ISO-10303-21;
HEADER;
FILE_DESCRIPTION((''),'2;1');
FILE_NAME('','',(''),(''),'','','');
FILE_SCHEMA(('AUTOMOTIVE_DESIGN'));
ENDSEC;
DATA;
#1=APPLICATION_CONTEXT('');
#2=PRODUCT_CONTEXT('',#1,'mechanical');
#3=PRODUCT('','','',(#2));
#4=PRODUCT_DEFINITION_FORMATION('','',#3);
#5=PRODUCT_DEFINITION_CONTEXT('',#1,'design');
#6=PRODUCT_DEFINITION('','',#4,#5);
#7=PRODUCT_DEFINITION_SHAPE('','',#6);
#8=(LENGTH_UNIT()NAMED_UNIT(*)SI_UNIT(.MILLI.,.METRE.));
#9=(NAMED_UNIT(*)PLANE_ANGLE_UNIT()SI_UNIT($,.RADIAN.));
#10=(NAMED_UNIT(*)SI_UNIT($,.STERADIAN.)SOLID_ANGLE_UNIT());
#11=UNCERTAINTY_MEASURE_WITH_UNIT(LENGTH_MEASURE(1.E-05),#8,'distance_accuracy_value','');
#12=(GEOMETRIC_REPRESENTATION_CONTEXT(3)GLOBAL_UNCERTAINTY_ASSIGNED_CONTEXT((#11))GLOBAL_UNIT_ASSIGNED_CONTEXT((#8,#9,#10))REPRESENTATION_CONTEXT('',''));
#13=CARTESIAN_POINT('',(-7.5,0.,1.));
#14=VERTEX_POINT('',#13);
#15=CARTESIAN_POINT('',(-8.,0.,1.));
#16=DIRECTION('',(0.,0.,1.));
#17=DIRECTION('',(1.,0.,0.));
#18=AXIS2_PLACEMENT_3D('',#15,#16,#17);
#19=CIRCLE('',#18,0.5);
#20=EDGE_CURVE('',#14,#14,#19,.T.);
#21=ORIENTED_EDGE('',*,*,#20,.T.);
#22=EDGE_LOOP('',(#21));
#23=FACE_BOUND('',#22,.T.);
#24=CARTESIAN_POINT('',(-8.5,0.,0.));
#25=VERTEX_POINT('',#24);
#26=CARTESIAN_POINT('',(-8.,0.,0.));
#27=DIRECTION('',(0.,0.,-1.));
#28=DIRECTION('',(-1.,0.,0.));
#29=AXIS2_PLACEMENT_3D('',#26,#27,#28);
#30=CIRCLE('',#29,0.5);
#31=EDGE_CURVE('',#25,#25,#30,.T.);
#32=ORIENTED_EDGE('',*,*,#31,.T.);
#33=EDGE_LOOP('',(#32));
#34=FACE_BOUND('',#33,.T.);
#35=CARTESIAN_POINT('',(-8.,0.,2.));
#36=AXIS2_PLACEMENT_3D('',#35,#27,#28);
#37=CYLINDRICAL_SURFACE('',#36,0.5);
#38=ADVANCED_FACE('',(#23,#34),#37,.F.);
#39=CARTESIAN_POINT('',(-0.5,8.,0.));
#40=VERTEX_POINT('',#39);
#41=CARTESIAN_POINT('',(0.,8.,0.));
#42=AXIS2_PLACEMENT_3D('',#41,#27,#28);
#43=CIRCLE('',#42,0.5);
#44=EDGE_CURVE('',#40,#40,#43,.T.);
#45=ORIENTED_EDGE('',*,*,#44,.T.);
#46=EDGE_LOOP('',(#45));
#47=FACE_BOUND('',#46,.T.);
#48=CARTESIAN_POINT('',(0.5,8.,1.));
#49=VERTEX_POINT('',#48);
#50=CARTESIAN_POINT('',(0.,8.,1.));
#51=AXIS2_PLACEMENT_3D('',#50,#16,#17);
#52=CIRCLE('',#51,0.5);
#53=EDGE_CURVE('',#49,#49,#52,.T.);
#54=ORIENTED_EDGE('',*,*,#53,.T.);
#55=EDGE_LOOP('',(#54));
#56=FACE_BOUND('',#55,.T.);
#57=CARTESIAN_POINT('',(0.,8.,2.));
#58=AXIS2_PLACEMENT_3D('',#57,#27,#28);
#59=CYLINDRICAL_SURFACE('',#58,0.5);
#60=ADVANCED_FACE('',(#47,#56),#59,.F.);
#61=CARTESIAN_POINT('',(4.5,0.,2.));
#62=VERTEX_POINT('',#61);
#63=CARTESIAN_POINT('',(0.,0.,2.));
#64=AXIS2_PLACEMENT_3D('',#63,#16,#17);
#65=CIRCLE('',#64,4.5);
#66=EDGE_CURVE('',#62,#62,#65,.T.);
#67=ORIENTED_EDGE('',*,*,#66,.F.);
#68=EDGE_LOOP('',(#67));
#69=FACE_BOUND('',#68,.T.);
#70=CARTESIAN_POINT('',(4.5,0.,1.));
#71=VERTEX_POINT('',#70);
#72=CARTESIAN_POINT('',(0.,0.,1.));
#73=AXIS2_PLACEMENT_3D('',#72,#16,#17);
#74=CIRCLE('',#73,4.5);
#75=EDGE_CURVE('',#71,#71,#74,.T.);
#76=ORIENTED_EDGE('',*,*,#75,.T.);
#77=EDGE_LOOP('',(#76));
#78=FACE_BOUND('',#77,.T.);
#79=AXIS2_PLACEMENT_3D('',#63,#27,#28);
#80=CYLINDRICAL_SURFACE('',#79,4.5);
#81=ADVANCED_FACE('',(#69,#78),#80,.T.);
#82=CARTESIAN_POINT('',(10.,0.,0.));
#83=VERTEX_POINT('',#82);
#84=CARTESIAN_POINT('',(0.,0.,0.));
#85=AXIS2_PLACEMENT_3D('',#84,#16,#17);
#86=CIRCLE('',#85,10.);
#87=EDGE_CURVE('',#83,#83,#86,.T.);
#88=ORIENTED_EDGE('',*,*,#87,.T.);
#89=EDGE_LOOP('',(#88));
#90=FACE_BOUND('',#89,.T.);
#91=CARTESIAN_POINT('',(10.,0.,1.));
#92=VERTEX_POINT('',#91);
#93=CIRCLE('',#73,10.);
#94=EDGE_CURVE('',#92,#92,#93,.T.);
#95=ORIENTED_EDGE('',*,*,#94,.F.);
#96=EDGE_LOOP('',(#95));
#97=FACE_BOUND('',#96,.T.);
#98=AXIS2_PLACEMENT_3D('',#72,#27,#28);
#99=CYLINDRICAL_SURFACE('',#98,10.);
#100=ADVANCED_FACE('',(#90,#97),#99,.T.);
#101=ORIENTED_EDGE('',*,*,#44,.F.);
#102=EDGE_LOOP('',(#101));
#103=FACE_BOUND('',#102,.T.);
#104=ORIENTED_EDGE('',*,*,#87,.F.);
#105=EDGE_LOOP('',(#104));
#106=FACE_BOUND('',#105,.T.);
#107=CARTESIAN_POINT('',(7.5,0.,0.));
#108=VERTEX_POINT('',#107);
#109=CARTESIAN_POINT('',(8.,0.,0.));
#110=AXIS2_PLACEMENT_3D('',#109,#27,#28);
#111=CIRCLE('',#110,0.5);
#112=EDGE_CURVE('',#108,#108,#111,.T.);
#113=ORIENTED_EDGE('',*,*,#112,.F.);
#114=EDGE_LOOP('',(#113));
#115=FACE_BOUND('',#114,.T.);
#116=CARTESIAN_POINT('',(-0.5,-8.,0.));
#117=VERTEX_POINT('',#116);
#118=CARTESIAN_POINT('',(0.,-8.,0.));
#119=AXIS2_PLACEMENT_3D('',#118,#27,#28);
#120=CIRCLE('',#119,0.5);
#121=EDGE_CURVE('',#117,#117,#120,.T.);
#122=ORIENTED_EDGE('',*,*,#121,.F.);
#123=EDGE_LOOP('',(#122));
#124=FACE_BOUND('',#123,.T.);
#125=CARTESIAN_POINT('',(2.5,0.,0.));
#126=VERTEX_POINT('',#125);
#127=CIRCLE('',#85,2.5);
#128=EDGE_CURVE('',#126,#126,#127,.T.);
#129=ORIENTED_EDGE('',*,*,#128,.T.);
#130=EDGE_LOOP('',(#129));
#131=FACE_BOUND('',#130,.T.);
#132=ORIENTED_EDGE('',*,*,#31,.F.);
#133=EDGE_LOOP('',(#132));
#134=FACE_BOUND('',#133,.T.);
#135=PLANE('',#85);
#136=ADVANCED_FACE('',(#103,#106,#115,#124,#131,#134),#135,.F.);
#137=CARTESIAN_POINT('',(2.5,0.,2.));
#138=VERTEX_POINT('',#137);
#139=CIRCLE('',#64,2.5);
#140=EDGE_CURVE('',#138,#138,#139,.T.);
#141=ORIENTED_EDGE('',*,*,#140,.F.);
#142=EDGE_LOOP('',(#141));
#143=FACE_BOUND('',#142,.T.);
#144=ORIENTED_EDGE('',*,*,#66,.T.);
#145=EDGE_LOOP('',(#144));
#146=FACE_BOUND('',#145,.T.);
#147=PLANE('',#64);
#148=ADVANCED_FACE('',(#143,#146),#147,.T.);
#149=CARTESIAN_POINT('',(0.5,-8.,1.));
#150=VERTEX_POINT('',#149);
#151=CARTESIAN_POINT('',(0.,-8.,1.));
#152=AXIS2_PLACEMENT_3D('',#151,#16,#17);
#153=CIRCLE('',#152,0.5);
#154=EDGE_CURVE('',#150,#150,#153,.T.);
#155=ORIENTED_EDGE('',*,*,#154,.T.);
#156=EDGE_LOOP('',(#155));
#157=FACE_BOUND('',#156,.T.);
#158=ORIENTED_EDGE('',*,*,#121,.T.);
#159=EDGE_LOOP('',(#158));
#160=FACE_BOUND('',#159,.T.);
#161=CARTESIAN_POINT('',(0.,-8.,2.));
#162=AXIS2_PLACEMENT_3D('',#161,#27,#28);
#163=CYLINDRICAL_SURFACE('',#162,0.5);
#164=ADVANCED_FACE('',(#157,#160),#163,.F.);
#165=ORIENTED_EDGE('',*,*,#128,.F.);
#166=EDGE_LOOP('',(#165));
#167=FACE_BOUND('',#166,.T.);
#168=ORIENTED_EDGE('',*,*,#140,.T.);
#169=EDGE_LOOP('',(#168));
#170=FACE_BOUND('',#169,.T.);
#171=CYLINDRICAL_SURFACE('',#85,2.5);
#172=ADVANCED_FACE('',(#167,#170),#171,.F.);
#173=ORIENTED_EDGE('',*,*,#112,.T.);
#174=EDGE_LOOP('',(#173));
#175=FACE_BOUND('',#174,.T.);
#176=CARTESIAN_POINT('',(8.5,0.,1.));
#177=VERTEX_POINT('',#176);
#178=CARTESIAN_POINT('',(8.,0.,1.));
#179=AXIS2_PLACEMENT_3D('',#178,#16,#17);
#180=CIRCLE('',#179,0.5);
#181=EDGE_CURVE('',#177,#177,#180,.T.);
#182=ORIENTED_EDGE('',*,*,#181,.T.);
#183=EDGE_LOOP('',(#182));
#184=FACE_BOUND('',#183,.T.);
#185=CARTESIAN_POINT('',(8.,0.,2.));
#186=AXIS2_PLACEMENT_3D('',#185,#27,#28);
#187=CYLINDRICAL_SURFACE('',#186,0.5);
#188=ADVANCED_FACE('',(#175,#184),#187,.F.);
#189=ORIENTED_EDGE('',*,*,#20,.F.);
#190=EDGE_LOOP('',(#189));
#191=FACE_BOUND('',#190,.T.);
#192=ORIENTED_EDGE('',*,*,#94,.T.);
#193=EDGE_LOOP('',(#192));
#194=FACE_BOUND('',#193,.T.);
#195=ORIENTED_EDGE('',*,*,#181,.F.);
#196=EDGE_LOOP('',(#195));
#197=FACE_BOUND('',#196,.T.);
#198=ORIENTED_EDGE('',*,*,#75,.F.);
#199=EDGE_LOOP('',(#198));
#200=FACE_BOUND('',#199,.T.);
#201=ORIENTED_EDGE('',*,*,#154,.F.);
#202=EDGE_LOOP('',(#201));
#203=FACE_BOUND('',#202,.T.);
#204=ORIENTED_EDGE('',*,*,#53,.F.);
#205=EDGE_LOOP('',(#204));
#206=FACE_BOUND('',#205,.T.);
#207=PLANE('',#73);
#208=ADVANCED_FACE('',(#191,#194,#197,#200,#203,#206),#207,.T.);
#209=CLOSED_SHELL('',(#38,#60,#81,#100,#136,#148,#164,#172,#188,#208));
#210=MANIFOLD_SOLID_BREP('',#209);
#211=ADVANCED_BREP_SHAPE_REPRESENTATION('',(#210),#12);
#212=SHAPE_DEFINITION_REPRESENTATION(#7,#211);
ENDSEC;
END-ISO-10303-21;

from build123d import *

# Parameters (mm, degrees)
SKETCH_1_R          = 10
EXTRUDE_1_DEPTH     = 1
SKETCH_2_R          = 4.5
EXTRUDE_2_DEPTH     = 1
SKETCH_3_R          = 2.5
CUT_EXTRUDE_1_DEPTH = 15.282856857
SKETCH_4_R          = 0.5
CUT_EXTRUDE_2_DEPTH = 15.282856857


with BuildPart() as part:
    # 草图1 → 凸台-拉伸1 (new body)
    with BuildSketch(Plane.XY):
        Circle(SKETCH_1_R)
    extrude(amount=EXTRUDE_1_DEPTH)

    # 草图2 → 凸台-拉伸2 (add)
    with BuildSketch(Plane.XY.offset(1)):
        Circle(SKETCH_2_R)
    extrude(amount=EXTRUDE_2_DEPTH)

    # 草图3 → 切除-拉伸1 (cut, through all)
    with BuildSketch(Plane.XY.offset(2)):
        Circle(SKETCH_3_R)
    extrude(amount=-CUT_EXTRUDE_1_DEPTH, mode=Mode.SUBTRACT)

    # 草图4 → 切除-拉伸2 (cut, through all)
    with BuildSketch(Plane(origin=(0, 0, 0), x_dir=(-1, 0, 0), z_dir=(0, 0, -1))):
        with Locations((0, 8)):
            Circle(SKETCH_4_R)
        with Locations((8, 0)):
            Circle(SKETCH_4_R)
        with Locations((0, -8)):
            Circle(SKETCH_4_R)
        with Locations((-8, 0)):
            Circle(SKETCH_4_R)
    extrude(amount=-CUT_EXTRUDE_2_DEPTH, mode=Mode.SUBTRACT)


solid = part.part
